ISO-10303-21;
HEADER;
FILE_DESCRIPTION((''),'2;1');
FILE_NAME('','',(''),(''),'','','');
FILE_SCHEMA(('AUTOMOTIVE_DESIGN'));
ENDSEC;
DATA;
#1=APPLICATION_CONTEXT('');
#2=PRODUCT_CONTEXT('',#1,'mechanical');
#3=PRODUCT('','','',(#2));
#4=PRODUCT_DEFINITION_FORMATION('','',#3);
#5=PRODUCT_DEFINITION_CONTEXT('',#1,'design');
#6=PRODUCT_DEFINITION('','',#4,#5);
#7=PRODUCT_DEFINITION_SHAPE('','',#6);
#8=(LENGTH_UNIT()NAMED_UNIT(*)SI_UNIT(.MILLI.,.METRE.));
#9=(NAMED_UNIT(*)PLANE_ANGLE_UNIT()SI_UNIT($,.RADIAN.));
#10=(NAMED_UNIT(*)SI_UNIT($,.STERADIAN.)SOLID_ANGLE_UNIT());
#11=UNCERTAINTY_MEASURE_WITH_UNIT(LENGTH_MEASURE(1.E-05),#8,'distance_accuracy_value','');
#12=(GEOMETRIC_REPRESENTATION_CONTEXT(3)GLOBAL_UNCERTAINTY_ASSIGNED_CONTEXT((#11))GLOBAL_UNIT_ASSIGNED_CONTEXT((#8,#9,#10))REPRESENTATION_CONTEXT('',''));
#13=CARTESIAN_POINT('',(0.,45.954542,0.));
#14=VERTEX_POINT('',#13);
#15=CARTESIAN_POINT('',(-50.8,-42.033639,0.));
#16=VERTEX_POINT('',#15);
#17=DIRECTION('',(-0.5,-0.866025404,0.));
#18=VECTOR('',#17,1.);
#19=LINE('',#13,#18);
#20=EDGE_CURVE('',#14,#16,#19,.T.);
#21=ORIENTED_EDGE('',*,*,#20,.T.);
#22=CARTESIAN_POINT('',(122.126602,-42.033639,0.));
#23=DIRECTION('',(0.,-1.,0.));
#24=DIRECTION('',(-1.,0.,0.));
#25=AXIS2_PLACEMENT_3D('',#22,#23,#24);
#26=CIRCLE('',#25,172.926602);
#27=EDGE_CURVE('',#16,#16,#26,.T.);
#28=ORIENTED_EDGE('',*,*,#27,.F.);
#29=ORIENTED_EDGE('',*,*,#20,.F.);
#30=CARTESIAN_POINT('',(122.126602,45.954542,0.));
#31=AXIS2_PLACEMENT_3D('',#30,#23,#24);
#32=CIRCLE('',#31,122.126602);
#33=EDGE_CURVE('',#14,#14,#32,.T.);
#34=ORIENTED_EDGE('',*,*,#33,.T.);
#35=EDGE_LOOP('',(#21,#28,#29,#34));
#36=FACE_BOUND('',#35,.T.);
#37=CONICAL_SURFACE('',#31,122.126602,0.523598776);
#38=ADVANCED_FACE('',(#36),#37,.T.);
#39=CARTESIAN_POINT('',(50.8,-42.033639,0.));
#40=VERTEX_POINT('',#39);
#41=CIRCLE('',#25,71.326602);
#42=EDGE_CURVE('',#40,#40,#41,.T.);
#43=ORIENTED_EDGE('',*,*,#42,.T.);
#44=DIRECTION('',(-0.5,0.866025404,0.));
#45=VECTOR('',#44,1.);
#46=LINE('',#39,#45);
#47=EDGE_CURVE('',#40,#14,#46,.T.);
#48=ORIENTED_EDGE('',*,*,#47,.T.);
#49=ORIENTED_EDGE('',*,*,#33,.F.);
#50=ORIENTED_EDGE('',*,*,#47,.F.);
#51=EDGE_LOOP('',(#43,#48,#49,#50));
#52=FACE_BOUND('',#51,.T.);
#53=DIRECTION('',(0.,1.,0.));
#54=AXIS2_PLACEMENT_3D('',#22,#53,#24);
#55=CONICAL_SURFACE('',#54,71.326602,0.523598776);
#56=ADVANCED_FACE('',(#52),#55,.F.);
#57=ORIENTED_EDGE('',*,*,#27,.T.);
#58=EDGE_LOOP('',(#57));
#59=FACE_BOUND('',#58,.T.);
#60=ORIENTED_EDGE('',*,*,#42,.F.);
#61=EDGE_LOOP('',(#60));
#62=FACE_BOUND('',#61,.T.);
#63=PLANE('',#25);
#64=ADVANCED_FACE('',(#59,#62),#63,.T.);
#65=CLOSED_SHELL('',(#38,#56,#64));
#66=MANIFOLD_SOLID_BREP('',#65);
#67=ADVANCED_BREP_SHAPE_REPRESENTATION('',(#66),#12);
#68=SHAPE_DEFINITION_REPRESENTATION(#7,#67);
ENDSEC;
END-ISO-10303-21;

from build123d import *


with BuildPart() as f2:
    # F0 (on Top) → F2 (revolve)
    with BuildSketch(Plane.XY):
        Polygon((0, 45.954542), (-50.8, -42.033639), (50.8, -42.033639), align=None)
    revolve(axis=Axis((122.126602, 3.528334, 0), (0, -1, 0)))


solid = f2.part
